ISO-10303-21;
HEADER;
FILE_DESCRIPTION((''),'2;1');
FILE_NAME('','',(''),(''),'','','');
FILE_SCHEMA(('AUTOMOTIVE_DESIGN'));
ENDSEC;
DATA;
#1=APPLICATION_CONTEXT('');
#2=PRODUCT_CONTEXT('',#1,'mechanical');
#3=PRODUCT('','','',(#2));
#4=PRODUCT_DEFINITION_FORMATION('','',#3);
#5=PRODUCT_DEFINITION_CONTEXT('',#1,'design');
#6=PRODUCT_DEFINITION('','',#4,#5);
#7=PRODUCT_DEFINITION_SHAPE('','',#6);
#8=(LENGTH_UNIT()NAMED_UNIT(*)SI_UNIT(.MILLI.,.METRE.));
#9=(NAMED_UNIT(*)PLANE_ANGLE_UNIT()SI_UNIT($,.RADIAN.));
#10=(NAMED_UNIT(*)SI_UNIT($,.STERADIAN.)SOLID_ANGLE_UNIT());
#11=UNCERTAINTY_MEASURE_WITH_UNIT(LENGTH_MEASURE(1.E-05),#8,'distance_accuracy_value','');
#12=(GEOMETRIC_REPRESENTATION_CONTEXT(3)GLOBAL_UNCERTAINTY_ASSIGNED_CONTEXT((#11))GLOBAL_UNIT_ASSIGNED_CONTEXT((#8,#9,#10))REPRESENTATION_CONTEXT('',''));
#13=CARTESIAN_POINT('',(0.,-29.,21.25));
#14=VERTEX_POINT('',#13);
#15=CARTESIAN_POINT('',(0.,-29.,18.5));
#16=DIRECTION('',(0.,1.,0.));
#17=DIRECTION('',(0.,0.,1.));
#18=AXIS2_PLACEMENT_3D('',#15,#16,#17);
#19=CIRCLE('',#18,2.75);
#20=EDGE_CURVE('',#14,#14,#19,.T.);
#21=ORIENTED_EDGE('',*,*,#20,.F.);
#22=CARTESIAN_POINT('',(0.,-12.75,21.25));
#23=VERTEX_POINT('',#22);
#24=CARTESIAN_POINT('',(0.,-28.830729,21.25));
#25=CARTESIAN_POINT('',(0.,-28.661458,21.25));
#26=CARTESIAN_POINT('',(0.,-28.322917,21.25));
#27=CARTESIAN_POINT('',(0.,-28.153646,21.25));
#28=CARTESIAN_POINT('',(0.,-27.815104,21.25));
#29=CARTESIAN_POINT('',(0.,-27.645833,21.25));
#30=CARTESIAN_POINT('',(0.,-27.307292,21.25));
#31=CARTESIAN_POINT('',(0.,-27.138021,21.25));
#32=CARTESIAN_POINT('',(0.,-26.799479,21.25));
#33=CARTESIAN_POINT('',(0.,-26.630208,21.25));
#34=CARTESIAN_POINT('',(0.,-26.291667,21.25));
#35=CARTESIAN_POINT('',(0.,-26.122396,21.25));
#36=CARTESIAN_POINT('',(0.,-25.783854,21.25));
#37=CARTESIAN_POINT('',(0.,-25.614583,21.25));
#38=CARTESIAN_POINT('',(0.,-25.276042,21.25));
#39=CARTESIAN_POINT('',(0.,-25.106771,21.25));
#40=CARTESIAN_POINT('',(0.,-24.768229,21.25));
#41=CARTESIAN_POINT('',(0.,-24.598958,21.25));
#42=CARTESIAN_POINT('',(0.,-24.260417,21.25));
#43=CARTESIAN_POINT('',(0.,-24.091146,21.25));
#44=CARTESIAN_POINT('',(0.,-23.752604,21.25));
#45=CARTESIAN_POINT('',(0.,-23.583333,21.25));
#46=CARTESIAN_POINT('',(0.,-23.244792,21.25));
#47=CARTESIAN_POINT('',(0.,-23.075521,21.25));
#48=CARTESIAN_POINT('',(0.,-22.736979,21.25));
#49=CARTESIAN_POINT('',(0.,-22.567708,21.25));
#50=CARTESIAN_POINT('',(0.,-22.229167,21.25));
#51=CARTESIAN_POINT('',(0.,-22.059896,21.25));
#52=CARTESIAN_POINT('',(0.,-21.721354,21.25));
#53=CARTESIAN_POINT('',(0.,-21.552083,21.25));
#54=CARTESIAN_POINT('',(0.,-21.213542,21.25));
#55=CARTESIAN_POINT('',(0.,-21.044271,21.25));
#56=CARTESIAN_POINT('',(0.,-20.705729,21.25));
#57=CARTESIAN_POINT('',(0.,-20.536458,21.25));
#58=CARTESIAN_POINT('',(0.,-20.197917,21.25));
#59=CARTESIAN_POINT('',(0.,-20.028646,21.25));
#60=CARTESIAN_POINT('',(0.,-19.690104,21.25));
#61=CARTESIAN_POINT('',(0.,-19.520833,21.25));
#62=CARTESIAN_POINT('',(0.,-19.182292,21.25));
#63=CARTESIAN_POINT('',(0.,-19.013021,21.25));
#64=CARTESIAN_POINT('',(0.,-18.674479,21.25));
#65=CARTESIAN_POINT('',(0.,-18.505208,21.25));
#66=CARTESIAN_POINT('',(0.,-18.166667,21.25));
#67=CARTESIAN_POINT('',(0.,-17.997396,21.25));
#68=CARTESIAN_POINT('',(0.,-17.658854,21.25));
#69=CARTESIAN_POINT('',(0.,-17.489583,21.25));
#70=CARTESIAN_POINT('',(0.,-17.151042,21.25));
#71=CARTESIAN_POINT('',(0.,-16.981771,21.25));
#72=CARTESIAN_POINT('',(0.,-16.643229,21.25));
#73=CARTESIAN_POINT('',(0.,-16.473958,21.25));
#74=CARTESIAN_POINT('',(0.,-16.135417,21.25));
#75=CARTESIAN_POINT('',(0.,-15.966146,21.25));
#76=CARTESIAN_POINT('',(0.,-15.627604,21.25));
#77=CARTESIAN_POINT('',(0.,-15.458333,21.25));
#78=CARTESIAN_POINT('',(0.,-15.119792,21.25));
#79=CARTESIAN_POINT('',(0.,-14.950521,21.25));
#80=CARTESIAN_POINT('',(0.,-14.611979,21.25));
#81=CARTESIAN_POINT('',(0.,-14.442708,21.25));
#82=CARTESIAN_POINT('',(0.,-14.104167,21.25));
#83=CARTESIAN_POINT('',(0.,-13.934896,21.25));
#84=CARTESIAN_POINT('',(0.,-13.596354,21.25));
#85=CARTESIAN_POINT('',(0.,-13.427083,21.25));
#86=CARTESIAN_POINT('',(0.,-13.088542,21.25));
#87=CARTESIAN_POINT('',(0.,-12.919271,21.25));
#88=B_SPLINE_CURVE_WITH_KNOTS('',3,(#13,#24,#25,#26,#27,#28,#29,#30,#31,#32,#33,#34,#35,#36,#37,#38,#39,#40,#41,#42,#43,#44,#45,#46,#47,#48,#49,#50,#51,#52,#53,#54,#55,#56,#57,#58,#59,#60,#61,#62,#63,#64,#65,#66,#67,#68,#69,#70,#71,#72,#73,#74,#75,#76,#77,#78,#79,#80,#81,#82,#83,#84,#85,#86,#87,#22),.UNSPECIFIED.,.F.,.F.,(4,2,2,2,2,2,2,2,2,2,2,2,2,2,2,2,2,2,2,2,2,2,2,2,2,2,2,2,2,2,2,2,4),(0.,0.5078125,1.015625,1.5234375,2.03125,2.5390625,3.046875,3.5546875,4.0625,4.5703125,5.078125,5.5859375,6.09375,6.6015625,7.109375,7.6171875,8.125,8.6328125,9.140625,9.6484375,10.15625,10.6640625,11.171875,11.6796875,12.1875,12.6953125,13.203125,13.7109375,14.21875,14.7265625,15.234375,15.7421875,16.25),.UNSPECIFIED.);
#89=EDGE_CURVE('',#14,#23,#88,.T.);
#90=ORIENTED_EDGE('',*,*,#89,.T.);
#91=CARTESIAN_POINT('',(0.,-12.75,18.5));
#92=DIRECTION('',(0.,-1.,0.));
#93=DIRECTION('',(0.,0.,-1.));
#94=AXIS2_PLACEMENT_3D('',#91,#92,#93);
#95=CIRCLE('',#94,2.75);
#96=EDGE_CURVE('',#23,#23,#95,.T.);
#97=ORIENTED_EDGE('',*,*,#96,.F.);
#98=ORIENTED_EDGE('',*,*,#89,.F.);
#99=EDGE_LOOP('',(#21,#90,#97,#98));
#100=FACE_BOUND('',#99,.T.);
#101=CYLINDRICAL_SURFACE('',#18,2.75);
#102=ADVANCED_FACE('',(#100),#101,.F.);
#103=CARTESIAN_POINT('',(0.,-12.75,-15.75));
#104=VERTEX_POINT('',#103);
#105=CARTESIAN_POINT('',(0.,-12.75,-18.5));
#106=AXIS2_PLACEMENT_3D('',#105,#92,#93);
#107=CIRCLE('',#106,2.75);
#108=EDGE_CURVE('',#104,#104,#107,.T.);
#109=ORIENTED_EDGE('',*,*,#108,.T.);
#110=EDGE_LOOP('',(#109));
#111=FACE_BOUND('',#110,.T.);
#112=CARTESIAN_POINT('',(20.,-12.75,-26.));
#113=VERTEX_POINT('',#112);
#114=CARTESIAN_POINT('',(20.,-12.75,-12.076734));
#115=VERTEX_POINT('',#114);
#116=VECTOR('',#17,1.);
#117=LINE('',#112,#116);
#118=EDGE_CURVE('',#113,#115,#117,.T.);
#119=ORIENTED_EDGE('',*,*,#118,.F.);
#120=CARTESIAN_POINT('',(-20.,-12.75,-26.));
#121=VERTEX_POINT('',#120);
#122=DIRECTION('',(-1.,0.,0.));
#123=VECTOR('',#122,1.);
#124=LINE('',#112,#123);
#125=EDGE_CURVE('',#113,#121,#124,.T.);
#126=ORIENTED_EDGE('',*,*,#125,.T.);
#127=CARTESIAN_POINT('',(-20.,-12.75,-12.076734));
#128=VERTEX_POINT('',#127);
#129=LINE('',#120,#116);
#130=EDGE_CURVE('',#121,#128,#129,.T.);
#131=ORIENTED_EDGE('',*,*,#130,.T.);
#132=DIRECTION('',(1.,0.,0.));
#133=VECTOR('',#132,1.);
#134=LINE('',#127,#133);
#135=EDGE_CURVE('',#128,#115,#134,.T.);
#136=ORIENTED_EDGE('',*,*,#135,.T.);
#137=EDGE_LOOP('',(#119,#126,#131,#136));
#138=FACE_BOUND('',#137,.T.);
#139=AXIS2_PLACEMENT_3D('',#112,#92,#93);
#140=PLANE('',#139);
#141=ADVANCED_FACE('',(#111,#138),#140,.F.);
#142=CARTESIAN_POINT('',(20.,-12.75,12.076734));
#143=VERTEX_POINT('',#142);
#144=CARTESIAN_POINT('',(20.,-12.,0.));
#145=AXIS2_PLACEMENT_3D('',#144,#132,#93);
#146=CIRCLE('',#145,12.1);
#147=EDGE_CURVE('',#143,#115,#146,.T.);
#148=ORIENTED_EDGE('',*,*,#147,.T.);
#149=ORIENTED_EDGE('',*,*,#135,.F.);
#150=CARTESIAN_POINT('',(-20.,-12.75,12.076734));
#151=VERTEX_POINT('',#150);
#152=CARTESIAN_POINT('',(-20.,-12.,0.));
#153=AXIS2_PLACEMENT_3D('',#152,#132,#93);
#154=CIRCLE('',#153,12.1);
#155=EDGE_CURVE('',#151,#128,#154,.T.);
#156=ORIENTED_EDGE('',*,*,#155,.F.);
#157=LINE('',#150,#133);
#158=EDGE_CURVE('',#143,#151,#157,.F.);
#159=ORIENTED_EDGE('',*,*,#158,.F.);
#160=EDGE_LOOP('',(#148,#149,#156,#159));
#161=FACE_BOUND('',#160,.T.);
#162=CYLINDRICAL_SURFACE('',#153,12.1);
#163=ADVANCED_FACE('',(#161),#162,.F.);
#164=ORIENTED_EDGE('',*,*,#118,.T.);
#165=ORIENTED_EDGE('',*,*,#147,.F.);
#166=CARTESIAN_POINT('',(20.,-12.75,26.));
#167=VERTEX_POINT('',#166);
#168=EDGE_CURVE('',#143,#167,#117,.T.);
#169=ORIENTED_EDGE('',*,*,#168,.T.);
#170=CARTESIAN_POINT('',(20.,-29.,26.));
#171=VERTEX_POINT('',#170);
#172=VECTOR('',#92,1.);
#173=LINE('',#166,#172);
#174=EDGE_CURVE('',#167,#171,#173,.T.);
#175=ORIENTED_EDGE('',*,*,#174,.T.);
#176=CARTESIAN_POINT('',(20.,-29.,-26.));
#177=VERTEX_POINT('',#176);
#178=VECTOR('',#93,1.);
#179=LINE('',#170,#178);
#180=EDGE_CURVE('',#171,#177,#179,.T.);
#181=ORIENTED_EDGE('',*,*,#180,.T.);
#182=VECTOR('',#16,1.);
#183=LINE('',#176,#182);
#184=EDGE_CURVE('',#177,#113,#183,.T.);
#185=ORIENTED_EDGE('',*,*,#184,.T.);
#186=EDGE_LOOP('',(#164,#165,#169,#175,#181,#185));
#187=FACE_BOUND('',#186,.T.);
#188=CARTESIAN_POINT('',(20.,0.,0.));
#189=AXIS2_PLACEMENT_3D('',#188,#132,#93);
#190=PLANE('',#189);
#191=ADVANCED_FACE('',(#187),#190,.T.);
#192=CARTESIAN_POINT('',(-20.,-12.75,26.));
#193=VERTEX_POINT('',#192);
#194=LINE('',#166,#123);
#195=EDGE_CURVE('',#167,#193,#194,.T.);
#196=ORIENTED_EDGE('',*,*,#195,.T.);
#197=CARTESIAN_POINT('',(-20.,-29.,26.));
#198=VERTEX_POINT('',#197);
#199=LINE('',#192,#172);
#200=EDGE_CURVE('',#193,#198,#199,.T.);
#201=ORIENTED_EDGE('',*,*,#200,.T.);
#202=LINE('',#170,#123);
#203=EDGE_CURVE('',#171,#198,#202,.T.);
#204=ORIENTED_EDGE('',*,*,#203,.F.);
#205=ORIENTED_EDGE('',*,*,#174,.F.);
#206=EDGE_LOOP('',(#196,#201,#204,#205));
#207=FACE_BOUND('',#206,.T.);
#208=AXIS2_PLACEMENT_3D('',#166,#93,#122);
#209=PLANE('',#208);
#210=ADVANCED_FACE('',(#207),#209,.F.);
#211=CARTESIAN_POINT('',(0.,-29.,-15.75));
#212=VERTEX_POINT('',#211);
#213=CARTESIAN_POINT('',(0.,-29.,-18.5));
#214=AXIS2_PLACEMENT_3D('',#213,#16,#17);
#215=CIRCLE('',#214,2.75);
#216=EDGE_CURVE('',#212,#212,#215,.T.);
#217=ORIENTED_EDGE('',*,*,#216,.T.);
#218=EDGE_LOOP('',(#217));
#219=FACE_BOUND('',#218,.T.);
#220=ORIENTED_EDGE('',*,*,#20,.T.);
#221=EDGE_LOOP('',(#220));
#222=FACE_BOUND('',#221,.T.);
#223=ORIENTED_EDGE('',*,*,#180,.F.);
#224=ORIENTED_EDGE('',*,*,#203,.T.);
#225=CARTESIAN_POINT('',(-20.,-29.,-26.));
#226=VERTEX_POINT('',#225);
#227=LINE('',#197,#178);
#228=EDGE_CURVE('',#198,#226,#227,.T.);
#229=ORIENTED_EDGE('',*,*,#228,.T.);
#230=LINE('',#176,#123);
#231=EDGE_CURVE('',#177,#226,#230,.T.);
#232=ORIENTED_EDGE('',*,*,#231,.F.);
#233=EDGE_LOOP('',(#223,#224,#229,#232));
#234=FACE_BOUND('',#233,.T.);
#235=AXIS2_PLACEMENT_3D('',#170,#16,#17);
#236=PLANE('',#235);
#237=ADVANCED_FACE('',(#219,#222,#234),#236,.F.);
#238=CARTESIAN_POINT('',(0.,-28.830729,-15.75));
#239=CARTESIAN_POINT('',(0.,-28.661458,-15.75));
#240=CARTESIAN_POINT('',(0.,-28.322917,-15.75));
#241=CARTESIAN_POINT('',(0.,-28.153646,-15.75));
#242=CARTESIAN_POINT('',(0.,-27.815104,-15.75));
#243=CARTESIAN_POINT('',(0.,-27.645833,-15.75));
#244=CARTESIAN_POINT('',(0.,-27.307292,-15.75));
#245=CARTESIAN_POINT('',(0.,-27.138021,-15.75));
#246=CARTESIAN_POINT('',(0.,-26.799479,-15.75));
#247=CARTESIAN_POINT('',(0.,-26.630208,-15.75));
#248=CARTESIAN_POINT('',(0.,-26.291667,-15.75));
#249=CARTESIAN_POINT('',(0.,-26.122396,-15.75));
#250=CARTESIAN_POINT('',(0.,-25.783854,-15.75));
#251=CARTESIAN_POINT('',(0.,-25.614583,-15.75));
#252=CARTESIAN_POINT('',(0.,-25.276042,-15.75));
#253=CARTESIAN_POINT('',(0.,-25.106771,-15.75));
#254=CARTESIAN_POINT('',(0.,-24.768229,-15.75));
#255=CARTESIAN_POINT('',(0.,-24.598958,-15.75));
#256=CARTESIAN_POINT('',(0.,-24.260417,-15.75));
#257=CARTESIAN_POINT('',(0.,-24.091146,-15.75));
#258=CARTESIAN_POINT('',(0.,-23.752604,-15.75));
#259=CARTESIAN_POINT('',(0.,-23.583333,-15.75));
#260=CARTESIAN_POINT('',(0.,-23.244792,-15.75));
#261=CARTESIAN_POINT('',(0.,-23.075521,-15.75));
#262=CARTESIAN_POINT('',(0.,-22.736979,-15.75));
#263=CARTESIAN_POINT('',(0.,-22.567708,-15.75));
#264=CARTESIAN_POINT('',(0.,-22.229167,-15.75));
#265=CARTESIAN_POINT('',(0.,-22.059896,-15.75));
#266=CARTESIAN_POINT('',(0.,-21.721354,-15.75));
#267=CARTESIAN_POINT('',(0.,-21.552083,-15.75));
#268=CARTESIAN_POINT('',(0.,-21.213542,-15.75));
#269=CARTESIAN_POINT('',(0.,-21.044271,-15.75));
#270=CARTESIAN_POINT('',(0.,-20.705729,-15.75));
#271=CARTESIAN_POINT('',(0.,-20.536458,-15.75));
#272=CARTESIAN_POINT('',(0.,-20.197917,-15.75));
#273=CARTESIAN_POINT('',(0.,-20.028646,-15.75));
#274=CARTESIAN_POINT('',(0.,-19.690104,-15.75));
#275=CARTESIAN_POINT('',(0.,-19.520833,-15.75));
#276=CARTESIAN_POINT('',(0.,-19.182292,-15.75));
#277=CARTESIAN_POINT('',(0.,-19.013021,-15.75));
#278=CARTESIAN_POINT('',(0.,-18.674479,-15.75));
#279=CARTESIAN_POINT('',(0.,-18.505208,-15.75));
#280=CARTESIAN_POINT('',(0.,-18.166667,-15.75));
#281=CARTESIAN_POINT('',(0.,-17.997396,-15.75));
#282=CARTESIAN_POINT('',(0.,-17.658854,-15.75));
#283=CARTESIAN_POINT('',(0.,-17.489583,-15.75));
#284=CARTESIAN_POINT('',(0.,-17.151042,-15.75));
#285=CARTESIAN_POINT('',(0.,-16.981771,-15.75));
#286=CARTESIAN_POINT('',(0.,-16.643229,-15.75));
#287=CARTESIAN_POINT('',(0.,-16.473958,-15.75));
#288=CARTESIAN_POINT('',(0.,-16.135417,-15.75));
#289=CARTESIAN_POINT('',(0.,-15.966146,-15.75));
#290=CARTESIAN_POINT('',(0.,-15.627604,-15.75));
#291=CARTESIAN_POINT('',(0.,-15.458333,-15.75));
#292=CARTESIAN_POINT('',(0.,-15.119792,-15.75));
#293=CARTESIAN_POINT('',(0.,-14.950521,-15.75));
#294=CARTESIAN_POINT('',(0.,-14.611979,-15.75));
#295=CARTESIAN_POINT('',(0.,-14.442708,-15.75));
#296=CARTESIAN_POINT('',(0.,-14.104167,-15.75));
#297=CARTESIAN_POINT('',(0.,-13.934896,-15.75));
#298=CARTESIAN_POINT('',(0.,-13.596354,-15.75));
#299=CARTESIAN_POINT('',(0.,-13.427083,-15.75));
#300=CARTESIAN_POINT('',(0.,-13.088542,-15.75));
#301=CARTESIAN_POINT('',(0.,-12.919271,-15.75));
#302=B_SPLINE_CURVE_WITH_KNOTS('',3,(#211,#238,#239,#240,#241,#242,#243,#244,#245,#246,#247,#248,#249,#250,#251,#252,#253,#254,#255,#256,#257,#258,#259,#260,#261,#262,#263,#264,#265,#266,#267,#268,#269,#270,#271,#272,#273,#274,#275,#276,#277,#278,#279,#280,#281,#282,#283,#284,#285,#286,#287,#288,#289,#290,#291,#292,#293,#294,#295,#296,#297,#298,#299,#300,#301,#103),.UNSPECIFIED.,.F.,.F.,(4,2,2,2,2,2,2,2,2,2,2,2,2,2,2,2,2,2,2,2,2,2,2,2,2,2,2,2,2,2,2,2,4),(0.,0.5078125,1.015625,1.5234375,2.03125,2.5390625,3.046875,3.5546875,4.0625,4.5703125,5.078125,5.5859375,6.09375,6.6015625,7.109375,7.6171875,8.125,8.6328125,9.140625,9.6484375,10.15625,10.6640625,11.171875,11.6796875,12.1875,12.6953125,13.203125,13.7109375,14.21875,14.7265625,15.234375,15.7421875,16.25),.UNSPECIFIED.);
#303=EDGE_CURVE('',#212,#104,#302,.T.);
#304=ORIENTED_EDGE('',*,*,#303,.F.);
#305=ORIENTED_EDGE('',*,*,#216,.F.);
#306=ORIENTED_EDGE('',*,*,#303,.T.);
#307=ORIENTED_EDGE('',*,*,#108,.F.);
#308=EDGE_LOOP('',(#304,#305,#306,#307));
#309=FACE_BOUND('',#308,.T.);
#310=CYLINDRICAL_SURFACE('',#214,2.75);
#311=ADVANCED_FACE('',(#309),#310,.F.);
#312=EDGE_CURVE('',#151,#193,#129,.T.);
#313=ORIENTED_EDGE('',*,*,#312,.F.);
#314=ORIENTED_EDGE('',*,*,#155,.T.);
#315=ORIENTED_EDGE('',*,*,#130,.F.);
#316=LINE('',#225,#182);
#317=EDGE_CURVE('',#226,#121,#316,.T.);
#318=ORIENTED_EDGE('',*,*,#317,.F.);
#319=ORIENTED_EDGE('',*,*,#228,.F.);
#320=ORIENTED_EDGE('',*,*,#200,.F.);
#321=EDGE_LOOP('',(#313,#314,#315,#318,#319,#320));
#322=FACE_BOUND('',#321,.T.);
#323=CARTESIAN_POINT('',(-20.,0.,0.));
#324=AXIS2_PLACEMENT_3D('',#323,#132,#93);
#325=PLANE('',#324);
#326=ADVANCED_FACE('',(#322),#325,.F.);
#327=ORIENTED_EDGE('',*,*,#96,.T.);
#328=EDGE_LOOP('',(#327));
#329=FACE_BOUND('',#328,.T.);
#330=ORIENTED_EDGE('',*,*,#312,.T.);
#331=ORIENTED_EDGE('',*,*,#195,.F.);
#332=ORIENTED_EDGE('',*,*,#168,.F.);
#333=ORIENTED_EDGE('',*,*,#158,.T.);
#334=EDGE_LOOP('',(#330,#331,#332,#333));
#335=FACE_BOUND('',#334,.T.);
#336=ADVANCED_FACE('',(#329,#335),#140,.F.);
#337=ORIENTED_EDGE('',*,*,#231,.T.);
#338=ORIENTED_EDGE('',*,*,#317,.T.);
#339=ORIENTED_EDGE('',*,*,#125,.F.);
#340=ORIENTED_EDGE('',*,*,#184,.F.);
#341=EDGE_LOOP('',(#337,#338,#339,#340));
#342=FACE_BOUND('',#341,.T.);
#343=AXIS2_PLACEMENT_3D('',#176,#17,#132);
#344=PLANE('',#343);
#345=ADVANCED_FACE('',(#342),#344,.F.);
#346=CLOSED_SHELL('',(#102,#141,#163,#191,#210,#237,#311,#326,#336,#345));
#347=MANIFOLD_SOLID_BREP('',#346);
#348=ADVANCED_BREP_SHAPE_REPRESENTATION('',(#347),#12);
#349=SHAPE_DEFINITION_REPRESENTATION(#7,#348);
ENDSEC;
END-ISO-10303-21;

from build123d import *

# Parameters (mm, degrees)
SKETCH1_W                     = 52
SKETCH1_H                     = 16.25
CLAMP_LOWER_HALF_DEPTH        = 20
HANDLEBAR_BORE_DEPTH          = 44.783558558
HANDLEBAR_BORE_DEPTH_BACK     = 44.783558558
SKETCH2_R                     = 12.1
M5_CLEARANCE_HOLES_DEPTH      = 44.783558558
M5_CLEARANCE_HOLES_DEPTH_BACK = 44.783558558
SKETCH3_R                     = 2.75


with BuildPart() as part:
    # Sketch1 → Clamp Lower Half (new, symmetric)
    with BuildSketch(Plane(origin=(0, 0, 0), x_dir=(0, 0, -1), z_dir=(1, 0, 0))):
        with Locations((0, -20.875)):
            Rectangle(SKETCH1_W, SKETCH1_H)
    extrude(amount=CLAMP_LOWER_HALF_DEPTH, both=True)

    # Sketch2 → Handlebar Bore (cut, two sides: drawn at the far end of the back side and taken through both)
    with BuildSketch(Plane(origin=(0, 0, 0), x_dir=(0, 0, -1), z_dir=(1, 0, 0)).offset(-HANDLEBAR_BORE_DEPTH_BACK)):
        with Locations((0, -12)):
            Circle(SKETCH2_R)
    extrude(amount=HANDLEBAR_BORE_DEPTH + HANDLEBAR_BORE_DEPTH_BACK, mode=Mode.SUBTRACT)

    # Sketch3 → M5 Clearance Holes (cut, two sides: drawn at the far end of the back side and taken through both)
    with BuildSketch(Plane(origin=(0, 0, 0), x_dir=(1, 0, 0), z_dir=(0, 1, 0)).offset(-M5_CLEARANCE_HOLES_DEPTH_BACK)):
        with Locations(Location((0, -18.5, 0), (0, 0, 270))):
            Circle(SKETCH3_R)
        with Locations(Location((0, 18.5, 0), (0, 0, 270))):
            Circle(SKETCH3_R)
    extrude(amount=M5_CLEARANCE_HOLES_DEPTH + M5_CLEARANCE_HOLES_DEPTH_BACK, mode=Mode.SUBTRACT)


solid = part.part
